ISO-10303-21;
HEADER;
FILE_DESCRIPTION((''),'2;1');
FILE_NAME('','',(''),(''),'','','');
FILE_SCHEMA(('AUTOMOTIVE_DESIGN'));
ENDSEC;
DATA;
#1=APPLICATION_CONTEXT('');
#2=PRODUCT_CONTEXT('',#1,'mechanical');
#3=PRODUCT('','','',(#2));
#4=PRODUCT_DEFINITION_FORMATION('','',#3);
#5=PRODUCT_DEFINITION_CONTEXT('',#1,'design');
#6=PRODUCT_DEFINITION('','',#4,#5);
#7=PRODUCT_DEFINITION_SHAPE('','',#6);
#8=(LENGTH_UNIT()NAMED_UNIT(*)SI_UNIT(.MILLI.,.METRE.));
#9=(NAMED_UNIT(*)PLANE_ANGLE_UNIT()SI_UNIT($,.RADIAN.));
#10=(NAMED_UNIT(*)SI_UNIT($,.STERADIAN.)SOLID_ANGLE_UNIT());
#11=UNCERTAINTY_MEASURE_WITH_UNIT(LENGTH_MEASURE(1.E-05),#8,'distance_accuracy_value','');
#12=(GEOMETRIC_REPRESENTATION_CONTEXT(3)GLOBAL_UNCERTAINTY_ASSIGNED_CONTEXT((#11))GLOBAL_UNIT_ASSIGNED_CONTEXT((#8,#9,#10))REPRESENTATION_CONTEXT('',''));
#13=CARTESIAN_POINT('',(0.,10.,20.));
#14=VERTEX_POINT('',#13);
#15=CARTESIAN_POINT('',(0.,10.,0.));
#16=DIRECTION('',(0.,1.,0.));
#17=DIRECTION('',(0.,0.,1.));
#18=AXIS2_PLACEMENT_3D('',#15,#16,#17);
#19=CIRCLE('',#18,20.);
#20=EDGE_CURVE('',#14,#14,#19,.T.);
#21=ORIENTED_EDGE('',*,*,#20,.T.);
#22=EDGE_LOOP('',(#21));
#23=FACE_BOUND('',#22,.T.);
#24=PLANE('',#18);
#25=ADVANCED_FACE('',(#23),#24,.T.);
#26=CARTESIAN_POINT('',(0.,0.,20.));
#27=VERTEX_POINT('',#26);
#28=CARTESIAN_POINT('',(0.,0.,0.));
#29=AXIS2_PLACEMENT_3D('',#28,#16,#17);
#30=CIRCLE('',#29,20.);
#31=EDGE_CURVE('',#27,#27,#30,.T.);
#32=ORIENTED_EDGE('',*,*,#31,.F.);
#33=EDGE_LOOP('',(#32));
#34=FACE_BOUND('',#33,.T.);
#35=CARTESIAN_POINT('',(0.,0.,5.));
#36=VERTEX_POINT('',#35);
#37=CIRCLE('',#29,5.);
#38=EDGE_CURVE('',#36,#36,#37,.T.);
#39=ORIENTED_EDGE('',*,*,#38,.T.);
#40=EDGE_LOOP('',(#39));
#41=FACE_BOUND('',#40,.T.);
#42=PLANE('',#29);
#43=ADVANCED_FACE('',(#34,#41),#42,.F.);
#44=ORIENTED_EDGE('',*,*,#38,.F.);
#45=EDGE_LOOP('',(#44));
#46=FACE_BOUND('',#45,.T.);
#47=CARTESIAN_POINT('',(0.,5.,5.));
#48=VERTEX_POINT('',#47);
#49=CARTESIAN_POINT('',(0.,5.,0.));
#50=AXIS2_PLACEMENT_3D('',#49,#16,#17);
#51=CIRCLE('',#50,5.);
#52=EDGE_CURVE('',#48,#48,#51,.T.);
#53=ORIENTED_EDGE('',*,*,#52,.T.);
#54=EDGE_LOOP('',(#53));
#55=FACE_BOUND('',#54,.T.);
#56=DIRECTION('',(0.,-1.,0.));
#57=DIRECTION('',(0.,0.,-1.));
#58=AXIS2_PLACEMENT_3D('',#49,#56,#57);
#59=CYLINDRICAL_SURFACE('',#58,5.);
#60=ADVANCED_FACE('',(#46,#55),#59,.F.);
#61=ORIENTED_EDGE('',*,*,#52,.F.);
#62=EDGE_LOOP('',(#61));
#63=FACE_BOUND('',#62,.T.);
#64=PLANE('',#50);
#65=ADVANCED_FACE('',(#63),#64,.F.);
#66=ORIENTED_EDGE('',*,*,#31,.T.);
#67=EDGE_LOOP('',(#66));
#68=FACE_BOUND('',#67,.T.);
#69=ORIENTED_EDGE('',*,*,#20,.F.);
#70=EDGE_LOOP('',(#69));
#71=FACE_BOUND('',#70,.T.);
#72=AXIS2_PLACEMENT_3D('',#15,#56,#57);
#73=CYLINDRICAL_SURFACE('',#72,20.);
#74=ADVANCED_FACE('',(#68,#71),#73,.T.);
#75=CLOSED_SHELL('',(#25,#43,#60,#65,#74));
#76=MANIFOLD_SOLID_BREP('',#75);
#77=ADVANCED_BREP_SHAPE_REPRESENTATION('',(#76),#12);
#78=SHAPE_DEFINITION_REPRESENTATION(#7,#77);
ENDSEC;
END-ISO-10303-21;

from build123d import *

# Parameters (mm, degrees)
SKETCH1_R           = 20
BOSS_EXTRUDE1_DEPTH = 10
SKETCH2_R           = 5
CUT_EXTRUDE1_DEPTH  = 5


with BuildPart() as part:
    # Sketch1 → Boss-Extrude1 (new body)
    with BuildSketch(Plane(origin=(0, 0, 0), x_dir=(1, 0, 0), z_dir=(0, 1, 0))):
        Circle(SKETCH1_R)
    extrude(amount=BOSS_EXTRUDE1_DEPTH)

    # Sketch2 → Cut-Extrude1 (cut)
    with BuildSketch(Plane(origin=(0, 0, 0), x_dir=(1, 0, 0), z_dir=(0, 1, 0))):
        Circle(SKETCH2_R)
    extrude(amount=CUT_EXTRUDE1_DEPTH, mode=Mode.SUBTRACT)


solid = part.part
